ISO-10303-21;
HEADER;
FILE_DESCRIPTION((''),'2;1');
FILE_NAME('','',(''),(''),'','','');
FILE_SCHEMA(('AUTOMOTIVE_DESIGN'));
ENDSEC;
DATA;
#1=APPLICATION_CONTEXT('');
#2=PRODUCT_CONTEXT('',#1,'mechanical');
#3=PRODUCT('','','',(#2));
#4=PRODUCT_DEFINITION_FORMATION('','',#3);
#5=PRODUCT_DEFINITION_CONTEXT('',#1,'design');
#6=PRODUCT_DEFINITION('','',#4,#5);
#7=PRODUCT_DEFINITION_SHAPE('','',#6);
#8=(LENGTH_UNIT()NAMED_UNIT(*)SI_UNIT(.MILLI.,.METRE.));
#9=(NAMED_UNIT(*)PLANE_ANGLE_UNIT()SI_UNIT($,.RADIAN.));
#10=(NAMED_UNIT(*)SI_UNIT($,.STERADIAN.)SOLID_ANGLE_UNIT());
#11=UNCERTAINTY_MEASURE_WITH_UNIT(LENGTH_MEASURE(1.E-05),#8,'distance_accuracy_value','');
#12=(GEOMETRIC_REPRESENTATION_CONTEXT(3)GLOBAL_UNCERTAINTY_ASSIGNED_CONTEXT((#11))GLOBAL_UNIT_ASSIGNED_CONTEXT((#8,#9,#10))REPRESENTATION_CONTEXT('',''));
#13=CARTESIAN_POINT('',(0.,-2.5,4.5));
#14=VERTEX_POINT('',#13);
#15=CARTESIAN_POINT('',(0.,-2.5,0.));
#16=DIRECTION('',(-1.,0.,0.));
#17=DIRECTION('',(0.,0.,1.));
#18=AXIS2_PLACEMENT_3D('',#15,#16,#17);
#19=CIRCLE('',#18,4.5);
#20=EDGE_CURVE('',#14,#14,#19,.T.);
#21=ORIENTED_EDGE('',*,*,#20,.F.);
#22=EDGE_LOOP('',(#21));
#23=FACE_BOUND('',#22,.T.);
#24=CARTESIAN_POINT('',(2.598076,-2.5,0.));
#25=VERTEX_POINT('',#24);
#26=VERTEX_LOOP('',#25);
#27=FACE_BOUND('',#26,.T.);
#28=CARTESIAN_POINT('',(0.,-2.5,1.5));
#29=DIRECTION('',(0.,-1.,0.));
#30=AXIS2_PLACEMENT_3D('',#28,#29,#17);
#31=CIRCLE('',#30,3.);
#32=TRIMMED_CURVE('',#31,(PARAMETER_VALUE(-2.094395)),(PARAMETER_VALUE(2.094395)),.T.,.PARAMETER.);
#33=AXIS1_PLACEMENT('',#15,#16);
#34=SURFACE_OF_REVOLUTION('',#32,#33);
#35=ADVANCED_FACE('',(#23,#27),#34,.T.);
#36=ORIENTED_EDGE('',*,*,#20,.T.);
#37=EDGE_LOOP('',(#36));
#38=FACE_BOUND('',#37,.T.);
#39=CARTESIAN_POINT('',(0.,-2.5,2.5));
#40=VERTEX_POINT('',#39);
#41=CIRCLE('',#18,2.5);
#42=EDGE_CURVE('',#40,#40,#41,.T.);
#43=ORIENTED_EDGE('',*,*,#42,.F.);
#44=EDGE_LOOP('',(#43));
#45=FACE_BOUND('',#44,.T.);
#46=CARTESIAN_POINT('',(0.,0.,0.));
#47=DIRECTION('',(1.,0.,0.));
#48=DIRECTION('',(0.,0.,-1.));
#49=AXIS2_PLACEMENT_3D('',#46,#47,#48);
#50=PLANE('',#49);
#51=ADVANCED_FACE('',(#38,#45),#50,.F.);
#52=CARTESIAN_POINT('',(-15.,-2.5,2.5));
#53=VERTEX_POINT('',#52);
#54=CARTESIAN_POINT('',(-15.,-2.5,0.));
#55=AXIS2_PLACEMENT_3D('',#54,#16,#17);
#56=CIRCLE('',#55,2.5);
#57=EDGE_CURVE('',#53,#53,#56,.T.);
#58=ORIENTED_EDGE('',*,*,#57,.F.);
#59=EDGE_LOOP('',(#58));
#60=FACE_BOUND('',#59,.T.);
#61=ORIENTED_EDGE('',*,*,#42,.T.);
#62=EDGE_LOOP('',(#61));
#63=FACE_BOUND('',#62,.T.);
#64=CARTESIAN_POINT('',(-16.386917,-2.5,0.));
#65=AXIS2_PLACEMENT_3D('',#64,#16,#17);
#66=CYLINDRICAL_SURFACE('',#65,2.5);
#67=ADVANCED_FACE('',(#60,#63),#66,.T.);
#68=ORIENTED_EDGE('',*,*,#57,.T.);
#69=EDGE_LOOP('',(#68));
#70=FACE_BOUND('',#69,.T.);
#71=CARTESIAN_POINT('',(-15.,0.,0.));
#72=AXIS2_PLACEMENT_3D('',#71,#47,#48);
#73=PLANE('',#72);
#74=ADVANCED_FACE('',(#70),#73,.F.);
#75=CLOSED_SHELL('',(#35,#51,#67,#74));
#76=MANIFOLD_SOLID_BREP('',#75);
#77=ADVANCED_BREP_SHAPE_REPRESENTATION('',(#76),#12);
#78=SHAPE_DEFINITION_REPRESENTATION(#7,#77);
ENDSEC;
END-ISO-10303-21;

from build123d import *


with BuildPart() as part:
    # 草图1 → 旋转1 (revolve)
    with BuildSketch(Plane.XY, mode=Mode.PRIVATE) as revolve_1_sk:
        with BuildLine():
            Line((-15, 0), (0, 0))
            Line((0, 0), (0, 2))
            ThreePointArc((0, 2), (2.598076211, 0.5), (2.598076211, -2.5))
            Line((2.598076211, -2.5), (-15, -2.5))
            Line((-15, -2.5), (-15, 0))
        make_face()
    revolve(revolve_1_sk.sketch.rotate(Axis((-16.386916736, -2.5, 0), (1, 0, 0)), 90), axis=Axis((-16.386916736, -2.5, 0), (1, 0, 0)))


solid = part.part
